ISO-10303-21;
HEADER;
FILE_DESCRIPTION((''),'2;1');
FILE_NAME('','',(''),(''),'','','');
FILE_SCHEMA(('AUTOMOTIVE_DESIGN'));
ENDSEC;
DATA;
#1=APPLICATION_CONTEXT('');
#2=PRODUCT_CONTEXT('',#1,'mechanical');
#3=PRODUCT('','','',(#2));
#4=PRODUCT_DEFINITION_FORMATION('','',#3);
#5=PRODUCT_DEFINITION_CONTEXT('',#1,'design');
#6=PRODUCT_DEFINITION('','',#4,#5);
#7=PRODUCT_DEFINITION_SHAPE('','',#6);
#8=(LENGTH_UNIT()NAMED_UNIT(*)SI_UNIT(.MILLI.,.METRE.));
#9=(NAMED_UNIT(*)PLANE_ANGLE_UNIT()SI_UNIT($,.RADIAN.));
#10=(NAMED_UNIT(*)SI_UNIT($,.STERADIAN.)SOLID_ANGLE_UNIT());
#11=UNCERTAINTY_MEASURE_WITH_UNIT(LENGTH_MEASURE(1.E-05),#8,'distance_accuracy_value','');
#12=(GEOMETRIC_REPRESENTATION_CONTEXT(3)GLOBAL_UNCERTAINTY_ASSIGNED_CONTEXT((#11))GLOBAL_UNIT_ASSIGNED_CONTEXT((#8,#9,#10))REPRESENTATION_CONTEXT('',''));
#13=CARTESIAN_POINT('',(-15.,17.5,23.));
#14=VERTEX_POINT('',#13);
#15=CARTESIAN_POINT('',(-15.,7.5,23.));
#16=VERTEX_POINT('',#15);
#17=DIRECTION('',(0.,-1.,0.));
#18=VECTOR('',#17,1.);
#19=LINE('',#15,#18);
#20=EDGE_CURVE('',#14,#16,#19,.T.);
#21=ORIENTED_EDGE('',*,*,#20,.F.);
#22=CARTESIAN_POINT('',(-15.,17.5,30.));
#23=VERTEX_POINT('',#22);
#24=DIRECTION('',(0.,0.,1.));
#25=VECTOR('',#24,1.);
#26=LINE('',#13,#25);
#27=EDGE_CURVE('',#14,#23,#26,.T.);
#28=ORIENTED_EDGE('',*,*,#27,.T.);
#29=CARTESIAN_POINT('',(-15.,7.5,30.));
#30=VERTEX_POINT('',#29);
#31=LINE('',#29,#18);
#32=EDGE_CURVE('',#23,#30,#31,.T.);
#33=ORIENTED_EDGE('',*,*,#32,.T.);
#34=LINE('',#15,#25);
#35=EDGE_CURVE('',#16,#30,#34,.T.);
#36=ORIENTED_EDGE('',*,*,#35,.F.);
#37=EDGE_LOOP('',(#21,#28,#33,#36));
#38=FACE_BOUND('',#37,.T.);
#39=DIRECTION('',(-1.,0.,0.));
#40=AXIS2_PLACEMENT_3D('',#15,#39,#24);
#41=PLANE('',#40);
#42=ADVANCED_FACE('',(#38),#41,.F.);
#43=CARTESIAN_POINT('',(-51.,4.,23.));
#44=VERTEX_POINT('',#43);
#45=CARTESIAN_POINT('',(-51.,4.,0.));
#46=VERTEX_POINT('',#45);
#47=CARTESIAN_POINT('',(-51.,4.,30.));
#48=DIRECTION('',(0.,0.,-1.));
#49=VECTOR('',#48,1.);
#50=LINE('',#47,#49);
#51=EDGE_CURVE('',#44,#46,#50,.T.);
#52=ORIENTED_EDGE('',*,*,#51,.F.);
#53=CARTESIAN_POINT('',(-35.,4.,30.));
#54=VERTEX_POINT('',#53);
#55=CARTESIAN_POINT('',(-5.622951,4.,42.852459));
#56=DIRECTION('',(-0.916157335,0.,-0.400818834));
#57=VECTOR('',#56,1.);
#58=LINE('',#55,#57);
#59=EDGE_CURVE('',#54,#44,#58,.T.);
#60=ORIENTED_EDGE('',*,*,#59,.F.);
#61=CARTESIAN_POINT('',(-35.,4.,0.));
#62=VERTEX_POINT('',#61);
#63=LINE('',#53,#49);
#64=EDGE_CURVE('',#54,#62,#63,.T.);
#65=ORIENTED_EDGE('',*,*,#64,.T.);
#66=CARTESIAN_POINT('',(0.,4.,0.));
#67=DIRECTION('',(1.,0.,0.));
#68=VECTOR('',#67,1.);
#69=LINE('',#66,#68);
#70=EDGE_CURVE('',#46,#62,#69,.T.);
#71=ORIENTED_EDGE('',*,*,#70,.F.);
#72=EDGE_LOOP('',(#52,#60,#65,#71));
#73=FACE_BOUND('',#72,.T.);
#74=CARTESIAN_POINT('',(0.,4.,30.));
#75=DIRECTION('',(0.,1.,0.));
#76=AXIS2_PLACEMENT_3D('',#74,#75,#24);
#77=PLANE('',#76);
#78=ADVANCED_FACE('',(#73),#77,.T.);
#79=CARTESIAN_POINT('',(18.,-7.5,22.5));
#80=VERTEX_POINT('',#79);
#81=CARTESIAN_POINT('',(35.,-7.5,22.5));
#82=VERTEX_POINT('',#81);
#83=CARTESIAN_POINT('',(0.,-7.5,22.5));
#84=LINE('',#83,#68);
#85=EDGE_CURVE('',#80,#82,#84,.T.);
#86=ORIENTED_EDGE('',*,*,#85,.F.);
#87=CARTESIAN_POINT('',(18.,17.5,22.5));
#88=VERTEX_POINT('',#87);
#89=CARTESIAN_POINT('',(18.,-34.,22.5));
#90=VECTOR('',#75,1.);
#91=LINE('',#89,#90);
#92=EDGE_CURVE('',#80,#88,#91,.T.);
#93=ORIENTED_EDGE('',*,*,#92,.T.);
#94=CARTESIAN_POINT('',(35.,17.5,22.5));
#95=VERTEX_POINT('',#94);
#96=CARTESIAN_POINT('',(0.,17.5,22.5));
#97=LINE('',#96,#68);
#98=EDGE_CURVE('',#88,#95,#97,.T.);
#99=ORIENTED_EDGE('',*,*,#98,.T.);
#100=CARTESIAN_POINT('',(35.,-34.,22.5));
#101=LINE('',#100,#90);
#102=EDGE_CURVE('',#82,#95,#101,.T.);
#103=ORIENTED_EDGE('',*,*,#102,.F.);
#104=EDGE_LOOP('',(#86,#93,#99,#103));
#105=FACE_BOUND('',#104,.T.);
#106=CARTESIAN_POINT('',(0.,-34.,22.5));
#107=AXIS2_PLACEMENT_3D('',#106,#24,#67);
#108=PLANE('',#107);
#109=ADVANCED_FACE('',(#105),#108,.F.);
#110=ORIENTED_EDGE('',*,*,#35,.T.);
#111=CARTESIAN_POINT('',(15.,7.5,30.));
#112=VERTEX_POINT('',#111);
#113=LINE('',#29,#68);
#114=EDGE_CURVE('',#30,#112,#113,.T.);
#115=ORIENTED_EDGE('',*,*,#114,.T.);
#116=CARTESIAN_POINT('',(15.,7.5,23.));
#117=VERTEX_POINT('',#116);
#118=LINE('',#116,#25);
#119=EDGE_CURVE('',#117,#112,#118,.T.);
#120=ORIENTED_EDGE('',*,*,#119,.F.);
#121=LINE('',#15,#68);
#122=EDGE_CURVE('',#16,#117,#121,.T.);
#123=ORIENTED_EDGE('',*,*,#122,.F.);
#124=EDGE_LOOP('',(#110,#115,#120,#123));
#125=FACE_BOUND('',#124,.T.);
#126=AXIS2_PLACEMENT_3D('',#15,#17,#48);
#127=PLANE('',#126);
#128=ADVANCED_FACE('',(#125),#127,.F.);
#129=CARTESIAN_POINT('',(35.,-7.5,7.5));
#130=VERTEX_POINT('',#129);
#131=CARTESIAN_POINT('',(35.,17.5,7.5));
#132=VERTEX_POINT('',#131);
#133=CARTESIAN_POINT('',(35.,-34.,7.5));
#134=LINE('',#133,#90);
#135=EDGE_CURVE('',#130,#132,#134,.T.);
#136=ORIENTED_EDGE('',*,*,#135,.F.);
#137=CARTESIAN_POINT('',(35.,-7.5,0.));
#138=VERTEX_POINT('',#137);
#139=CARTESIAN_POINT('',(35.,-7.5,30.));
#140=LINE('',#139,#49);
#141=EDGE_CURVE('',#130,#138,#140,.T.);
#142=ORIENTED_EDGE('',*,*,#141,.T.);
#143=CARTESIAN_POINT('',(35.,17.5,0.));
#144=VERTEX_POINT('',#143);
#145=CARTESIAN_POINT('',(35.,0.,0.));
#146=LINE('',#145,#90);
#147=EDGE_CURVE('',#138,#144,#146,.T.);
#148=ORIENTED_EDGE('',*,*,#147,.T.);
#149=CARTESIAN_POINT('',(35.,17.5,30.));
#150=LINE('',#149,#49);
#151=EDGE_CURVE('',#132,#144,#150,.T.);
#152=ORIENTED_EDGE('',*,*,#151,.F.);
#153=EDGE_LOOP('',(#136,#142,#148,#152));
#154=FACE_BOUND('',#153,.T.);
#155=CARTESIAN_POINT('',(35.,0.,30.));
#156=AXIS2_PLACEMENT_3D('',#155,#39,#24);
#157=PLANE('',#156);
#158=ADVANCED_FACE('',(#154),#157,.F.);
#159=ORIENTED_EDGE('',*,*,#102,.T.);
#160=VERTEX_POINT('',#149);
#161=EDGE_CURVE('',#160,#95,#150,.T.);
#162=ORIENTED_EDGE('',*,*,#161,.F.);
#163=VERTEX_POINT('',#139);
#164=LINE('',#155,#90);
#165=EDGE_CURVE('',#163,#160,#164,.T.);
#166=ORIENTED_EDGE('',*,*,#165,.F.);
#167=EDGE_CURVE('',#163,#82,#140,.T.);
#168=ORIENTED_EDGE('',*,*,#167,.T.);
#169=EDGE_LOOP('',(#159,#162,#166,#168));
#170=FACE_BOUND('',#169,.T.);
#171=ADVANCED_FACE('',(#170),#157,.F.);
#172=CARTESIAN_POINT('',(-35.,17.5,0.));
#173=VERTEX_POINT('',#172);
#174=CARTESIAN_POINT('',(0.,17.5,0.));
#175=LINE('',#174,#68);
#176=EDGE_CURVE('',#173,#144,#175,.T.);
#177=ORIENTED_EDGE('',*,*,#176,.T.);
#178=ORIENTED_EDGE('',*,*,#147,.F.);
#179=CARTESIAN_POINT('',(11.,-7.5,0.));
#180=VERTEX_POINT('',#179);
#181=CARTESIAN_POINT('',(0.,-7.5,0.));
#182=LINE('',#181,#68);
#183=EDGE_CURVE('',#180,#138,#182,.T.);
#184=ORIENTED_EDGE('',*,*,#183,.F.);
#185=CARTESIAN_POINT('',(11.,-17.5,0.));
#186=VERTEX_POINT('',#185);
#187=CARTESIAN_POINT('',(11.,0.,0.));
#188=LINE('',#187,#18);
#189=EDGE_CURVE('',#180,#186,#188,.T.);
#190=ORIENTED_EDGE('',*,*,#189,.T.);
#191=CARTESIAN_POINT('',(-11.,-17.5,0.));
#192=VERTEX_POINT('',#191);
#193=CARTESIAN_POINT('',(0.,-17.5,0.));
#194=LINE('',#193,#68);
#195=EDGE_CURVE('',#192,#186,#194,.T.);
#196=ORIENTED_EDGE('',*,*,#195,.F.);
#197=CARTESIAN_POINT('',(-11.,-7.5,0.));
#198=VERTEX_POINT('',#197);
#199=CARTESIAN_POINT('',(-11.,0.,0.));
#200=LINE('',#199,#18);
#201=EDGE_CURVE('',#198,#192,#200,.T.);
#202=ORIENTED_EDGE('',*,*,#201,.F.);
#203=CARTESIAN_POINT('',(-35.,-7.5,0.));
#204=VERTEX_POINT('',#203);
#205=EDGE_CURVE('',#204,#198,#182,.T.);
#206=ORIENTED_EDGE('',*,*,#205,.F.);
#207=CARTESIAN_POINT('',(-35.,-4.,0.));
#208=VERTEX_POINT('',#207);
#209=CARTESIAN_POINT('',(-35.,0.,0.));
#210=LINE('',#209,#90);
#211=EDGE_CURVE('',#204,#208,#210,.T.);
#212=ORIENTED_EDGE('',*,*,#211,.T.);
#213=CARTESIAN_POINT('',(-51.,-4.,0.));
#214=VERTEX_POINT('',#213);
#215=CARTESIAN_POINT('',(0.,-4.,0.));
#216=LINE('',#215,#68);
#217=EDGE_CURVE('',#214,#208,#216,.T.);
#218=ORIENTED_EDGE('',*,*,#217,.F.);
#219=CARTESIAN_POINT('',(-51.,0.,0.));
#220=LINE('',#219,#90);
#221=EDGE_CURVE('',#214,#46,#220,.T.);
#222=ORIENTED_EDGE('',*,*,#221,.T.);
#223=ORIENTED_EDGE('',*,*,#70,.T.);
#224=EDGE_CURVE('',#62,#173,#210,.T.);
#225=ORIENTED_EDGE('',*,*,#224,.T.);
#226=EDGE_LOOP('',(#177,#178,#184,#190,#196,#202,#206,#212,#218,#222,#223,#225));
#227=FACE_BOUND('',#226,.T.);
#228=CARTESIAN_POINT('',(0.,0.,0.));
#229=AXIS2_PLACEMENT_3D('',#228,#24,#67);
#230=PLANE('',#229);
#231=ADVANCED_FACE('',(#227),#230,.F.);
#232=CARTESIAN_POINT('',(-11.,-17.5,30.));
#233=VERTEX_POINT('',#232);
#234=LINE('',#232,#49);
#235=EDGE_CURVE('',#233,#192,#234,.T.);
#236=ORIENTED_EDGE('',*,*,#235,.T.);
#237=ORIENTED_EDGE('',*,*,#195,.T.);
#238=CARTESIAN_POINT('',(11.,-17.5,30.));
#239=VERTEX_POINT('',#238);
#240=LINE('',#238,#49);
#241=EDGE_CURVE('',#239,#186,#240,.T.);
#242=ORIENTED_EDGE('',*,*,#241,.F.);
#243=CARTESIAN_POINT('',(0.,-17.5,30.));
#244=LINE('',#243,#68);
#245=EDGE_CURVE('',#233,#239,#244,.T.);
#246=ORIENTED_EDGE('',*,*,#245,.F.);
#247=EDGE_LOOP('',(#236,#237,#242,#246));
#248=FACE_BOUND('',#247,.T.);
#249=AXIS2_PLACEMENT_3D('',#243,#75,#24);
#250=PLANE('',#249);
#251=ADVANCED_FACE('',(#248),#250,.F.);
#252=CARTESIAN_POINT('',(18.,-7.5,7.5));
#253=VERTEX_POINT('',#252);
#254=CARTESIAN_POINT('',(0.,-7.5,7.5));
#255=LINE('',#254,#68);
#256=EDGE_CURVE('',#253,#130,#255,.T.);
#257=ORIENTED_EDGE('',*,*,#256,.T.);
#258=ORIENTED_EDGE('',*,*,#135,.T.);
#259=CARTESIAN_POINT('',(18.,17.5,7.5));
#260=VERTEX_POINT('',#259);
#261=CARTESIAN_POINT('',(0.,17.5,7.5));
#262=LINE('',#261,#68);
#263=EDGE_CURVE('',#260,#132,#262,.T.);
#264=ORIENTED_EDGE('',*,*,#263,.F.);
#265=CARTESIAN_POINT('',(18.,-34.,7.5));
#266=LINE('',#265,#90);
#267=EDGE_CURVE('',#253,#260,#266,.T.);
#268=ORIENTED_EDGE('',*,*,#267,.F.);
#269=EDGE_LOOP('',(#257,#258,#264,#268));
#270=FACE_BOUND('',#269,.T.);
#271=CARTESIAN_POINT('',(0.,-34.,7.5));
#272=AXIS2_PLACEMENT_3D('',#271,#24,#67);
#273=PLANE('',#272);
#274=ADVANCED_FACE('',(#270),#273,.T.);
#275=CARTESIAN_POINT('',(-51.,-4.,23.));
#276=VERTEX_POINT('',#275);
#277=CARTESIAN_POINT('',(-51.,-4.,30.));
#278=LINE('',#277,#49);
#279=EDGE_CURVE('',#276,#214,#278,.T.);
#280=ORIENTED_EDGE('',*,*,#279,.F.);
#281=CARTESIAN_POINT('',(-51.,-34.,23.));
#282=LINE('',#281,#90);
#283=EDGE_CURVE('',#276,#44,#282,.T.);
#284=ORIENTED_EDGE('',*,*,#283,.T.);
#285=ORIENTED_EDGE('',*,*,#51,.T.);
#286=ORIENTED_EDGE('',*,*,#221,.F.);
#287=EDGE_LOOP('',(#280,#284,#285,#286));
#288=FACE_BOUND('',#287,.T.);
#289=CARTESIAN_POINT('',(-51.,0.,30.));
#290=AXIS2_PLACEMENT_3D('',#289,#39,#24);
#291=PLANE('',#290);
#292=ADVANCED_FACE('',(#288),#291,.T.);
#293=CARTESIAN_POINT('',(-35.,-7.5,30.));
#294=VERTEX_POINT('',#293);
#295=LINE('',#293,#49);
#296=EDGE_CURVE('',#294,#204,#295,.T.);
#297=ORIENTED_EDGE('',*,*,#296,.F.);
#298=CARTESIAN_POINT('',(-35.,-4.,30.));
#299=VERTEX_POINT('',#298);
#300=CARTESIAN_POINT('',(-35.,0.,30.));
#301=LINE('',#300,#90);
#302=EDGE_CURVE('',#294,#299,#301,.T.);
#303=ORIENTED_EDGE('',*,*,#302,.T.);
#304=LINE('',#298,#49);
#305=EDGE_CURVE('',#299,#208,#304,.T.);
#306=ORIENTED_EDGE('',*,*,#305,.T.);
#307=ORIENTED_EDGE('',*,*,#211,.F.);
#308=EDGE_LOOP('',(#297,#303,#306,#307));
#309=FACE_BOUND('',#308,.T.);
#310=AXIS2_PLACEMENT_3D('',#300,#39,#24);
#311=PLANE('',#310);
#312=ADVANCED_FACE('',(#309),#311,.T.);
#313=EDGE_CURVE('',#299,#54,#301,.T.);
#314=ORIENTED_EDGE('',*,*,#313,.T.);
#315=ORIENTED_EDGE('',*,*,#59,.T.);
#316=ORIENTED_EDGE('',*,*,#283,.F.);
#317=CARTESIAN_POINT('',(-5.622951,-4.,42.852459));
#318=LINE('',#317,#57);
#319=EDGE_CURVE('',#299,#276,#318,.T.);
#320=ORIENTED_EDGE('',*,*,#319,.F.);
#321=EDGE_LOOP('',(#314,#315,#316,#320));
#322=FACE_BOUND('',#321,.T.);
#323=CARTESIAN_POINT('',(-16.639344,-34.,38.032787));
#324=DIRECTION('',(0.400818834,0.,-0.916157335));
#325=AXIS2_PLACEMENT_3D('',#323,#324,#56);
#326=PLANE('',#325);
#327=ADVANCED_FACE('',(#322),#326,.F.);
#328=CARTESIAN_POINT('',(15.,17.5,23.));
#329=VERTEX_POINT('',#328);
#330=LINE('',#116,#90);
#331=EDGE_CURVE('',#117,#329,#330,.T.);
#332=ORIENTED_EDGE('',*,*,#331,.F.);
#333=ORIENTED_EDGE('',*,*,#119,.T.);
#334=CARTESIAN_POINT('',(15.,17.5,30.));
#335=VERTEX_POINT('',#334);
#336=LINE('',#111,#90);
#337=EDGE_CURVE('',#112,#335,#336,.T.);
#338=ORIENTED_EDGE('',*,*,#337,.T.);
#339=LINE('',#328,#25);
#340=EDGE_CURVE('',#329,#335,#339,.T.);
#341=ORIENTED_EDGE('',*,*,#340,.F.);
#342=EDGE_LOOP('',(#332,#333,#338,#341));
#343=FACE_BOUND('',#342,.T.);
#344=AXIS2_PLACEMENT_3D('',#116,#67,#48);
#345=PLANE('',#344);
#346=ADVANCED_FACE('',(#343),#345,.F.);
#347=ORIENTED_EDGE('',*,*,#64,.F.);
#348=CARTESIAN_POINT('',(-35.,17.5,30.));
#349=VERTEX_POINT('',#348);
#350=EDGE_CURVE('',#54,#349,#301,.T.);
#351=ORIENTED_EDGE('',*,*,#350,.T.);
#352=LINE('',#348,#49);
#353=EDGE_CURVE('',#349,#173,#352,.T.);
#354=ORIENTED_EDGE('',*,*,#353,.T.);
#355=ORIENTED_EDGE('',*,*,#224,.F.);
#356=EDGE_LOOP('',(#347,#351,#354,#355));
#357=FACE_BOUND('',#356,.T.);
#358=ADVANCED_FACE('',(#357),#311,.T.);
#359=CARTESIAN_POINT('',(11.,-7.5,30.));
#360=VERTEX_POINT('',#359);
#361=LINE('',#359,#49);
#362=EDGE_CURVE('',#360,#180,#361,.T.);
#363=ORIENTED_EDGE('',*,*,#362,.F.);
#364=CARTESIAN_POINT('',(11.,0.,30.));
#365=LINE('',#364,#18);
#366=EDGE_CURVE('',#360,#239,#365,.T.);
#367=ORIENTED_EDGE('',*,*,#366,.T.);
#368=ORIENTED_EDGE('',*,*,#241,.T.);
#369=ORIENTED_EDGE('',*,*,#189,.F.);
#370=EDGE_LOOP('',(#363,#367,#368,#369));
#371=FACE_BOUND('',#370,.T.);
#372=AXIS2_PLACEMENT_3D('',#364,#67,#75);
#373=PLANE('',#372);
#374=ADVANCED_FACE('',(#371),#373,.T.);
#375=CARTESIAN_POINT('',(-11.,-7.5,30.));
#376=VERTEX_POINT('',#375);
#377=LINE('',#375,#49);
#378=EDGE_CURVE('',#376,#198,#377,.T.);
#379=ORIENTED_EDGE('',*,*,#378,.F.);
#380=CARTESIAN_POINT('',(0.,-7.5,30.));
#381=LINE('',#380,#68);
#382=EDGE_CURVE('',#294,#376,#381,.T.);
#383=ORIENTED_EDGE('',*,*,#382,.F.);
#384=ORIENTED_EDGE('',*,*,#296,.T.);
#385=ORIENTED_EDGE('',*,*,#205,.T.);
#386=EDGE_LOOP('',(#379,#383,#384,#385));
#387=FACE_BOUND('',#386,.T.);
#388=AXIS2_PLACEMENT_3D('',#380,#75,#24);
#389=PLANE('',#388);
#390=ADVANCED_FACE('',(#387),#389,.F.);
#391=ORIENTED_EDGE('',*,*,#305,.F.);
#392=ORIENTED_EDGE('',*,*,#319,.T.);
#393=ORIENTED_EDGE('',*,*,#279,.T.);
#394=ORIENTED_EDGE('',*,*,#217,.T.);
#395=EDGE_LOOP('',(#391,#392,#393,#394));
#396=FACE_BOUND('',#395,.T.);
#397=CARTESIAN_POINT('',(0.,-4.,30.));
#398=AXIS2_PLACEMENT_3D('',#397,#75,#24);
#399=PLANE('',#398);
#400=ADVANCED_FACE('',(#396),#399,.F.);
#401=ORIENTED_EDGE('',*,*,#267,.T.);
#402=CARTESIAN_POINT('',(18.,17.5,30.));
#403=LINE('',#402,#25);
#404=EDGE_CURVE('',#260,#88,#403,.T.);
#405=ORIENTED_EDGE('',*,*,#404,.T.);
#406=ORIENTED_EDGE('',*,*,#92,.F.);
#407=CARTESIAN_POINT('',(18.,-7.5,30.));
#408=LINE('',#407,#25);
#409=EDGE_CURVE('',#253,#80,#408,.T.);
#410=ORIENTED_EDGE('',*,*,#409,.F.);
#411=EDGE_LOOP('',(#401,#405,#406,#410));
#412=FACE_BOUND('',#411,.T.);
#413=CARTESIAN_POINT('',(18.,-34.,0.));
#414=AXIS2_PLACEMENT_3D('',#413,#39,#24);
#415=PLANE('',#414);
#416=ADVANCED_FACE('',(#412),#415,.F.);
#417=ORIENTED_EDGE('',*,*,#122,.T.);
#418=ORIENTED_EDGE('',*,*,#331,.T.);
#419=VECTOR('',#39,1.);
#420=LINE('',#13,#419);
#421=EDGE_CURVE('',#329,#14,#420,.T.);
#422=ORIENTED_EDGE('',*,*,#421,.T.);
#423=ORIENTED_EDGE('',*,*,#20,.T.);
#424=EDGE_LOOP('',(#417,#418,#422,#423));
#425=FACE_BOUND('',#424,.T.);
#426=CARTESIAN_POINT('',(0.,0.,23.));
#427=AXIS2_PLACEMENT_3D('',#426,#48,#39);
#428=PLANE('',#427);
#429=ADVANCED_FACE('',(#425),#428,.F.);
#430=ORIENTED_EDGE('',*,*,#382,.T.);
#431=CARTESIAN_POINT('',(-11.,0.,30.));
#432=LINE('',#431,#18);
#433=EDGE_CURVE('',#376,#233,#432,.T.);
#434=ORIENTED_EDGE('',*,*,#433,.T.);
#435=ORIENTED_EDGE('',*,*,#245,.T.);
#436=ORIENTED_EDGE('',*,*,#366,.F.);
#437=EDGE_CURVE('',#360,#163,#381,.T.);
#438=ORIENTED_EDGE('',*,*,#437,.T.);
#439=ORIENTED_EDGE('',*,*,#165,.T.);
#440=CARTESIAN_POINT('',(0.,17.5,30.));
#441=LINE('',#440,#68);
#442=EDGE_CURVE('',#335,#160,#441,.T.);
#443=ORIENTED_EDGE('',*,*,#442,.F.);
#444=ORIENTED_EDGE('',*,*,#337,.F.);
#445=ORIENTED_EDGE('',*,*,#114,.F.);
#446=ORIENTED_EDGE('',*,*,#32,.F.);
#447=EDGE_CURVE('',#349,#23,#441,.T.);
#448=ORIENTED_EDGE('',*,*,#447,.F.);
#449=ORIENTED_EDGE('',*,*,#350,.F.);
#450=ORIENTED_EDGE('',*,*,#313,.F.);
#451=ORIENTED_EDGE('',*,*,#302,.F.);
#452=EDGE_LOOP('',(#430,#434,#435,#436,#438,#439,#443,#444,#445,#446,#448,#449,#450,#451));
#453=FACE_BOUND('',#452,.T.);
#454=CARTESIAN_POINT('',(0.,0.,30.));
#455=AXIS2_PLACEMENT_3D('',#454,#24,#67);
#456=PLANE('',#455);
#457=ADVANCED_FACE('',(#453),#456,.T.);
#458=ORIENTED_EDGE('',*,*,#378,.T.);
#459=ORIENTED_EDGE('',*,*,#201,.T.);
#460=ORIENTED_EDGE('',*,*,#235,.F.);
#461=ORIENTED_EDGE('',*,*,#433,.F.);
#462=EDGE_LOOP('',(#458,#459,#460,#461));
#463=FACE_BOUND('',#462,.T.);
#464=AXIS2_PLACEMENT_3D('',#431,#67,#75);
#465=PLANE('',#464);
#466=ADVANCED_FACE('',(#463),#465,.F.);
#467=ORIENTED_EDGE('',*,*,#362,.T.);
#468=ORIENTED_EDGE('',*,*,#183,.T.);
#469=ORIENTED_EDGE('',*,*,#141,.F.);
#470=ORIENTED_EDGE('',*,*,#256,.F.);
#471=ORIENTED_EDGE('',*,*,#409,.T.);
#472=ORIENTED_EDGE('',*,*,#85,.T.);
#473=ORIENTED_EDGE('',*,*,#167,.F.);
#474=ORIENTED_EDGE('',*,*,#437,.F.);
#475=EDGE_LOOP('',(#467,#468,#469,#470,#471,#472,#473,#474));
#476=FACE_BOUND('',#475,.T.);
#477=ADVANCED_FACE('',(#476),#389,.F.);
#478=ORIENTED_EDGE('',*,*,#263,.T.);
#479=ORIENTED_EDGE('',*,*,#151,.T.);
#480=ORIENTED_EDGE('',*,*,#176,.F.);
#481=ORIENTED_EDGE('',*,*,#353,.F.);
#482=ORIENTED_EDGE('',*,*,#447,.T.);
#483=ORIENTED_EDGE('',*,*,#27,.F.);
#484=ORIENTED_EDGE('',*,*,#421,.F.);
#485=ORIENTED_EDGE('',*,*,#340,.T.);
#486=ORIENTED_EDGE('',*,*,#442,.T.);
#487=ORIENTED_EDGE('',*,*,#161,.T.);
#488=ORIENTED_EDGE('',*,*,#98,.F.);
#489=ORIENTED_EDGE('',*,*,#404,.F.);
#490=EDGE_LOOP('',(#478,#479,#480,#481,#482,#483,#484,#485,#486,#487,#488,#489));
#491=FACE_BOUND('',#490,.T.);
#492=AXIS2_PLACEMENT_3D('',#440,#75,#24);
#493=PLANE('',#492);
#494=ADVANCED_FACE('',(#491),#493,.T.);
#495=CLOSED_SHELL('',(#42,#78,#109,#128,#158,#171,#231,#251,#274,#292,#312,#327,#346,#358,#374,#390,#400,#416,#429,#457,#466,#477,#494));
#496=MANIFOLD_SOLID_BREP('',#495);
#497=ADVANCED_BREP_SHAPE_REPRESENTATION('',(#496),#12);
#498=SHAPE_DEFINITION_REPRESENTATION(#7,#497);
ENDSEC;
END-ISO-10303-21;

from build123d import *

# Parameters (mm, degrees)
SKETCH_1_W               = 22
SKETCH_1_H               = 10
SKETCH_1_W_2             = 16
SKETCH_1_H_2             = 8
EXTRUDE_1_DEPTH          = 30
CUT_EXTRUDE_1_DEPTH      = 30
CUT_EXTRUDE_1_DEPTH_BACK = 30
SKETCH_2_W               = 17
SKETCH_2_H               = 15
SKETCH_3_W               = 30
SKETCH_3_H               = 10
CUT_EXTRUDE_2_DEPTH      = 7


with BuildPart() as part:
    # Эскиз1 → Бобышка-Вытянуть1 (new body)
    with BuildSketch(Plane.XY):
        Polygon((-35, -7.5), (-11, -7.5), (11, -7.5), (35, -7.5), (35, 17.5), (-35, 17.5), (-35, 4), (-35, -4), align=None)
        with Locations((0, -12.5)):
            Rectangle(SKETCH_1_W, SKETCH_1_H)
        with Locations((-43, 0)):
            Rectangle(SKETCH_1_W_2, SKETCH_1_H_2)
    extrude(amount=EXTRUDE_1_DEPTH)

    # Эскиз2 → Вырез-Вытянуть1 (cut, two sides: drawn at the far end of the back side and taken through both)
    with BuildSketch(Plane.XZ.offset(4).offset(-CUT_EXTRUDE_1_DEPTH_BACK)):
        with Locations((26.5, 15)):
            Rectangle(SKETCH_2_W, SKETCH_2_H)
        Polygon((-35, 30), (-51, 30), (-51, 23), align=None)
    extrude(amount=CUT_EXTRUDE_1_DEPTH + CUT_EXTRUDE_1_DEPTH_BACK, mode=Mode.SUBTRACT)

    # Эскиз3 → Вырез-Вытянуть2 (cut)
    with BuildSketch(Plane.XY.offset(30)):
        with Locations((0, 12.5)):
            Rectangle(SKETCH_3_W, SKETCH_3_H)
    extrude(amount=-CUT_EXTRUDE_2_DEPTH, mode=Mode.SUBTRACT)


solid = part.part
